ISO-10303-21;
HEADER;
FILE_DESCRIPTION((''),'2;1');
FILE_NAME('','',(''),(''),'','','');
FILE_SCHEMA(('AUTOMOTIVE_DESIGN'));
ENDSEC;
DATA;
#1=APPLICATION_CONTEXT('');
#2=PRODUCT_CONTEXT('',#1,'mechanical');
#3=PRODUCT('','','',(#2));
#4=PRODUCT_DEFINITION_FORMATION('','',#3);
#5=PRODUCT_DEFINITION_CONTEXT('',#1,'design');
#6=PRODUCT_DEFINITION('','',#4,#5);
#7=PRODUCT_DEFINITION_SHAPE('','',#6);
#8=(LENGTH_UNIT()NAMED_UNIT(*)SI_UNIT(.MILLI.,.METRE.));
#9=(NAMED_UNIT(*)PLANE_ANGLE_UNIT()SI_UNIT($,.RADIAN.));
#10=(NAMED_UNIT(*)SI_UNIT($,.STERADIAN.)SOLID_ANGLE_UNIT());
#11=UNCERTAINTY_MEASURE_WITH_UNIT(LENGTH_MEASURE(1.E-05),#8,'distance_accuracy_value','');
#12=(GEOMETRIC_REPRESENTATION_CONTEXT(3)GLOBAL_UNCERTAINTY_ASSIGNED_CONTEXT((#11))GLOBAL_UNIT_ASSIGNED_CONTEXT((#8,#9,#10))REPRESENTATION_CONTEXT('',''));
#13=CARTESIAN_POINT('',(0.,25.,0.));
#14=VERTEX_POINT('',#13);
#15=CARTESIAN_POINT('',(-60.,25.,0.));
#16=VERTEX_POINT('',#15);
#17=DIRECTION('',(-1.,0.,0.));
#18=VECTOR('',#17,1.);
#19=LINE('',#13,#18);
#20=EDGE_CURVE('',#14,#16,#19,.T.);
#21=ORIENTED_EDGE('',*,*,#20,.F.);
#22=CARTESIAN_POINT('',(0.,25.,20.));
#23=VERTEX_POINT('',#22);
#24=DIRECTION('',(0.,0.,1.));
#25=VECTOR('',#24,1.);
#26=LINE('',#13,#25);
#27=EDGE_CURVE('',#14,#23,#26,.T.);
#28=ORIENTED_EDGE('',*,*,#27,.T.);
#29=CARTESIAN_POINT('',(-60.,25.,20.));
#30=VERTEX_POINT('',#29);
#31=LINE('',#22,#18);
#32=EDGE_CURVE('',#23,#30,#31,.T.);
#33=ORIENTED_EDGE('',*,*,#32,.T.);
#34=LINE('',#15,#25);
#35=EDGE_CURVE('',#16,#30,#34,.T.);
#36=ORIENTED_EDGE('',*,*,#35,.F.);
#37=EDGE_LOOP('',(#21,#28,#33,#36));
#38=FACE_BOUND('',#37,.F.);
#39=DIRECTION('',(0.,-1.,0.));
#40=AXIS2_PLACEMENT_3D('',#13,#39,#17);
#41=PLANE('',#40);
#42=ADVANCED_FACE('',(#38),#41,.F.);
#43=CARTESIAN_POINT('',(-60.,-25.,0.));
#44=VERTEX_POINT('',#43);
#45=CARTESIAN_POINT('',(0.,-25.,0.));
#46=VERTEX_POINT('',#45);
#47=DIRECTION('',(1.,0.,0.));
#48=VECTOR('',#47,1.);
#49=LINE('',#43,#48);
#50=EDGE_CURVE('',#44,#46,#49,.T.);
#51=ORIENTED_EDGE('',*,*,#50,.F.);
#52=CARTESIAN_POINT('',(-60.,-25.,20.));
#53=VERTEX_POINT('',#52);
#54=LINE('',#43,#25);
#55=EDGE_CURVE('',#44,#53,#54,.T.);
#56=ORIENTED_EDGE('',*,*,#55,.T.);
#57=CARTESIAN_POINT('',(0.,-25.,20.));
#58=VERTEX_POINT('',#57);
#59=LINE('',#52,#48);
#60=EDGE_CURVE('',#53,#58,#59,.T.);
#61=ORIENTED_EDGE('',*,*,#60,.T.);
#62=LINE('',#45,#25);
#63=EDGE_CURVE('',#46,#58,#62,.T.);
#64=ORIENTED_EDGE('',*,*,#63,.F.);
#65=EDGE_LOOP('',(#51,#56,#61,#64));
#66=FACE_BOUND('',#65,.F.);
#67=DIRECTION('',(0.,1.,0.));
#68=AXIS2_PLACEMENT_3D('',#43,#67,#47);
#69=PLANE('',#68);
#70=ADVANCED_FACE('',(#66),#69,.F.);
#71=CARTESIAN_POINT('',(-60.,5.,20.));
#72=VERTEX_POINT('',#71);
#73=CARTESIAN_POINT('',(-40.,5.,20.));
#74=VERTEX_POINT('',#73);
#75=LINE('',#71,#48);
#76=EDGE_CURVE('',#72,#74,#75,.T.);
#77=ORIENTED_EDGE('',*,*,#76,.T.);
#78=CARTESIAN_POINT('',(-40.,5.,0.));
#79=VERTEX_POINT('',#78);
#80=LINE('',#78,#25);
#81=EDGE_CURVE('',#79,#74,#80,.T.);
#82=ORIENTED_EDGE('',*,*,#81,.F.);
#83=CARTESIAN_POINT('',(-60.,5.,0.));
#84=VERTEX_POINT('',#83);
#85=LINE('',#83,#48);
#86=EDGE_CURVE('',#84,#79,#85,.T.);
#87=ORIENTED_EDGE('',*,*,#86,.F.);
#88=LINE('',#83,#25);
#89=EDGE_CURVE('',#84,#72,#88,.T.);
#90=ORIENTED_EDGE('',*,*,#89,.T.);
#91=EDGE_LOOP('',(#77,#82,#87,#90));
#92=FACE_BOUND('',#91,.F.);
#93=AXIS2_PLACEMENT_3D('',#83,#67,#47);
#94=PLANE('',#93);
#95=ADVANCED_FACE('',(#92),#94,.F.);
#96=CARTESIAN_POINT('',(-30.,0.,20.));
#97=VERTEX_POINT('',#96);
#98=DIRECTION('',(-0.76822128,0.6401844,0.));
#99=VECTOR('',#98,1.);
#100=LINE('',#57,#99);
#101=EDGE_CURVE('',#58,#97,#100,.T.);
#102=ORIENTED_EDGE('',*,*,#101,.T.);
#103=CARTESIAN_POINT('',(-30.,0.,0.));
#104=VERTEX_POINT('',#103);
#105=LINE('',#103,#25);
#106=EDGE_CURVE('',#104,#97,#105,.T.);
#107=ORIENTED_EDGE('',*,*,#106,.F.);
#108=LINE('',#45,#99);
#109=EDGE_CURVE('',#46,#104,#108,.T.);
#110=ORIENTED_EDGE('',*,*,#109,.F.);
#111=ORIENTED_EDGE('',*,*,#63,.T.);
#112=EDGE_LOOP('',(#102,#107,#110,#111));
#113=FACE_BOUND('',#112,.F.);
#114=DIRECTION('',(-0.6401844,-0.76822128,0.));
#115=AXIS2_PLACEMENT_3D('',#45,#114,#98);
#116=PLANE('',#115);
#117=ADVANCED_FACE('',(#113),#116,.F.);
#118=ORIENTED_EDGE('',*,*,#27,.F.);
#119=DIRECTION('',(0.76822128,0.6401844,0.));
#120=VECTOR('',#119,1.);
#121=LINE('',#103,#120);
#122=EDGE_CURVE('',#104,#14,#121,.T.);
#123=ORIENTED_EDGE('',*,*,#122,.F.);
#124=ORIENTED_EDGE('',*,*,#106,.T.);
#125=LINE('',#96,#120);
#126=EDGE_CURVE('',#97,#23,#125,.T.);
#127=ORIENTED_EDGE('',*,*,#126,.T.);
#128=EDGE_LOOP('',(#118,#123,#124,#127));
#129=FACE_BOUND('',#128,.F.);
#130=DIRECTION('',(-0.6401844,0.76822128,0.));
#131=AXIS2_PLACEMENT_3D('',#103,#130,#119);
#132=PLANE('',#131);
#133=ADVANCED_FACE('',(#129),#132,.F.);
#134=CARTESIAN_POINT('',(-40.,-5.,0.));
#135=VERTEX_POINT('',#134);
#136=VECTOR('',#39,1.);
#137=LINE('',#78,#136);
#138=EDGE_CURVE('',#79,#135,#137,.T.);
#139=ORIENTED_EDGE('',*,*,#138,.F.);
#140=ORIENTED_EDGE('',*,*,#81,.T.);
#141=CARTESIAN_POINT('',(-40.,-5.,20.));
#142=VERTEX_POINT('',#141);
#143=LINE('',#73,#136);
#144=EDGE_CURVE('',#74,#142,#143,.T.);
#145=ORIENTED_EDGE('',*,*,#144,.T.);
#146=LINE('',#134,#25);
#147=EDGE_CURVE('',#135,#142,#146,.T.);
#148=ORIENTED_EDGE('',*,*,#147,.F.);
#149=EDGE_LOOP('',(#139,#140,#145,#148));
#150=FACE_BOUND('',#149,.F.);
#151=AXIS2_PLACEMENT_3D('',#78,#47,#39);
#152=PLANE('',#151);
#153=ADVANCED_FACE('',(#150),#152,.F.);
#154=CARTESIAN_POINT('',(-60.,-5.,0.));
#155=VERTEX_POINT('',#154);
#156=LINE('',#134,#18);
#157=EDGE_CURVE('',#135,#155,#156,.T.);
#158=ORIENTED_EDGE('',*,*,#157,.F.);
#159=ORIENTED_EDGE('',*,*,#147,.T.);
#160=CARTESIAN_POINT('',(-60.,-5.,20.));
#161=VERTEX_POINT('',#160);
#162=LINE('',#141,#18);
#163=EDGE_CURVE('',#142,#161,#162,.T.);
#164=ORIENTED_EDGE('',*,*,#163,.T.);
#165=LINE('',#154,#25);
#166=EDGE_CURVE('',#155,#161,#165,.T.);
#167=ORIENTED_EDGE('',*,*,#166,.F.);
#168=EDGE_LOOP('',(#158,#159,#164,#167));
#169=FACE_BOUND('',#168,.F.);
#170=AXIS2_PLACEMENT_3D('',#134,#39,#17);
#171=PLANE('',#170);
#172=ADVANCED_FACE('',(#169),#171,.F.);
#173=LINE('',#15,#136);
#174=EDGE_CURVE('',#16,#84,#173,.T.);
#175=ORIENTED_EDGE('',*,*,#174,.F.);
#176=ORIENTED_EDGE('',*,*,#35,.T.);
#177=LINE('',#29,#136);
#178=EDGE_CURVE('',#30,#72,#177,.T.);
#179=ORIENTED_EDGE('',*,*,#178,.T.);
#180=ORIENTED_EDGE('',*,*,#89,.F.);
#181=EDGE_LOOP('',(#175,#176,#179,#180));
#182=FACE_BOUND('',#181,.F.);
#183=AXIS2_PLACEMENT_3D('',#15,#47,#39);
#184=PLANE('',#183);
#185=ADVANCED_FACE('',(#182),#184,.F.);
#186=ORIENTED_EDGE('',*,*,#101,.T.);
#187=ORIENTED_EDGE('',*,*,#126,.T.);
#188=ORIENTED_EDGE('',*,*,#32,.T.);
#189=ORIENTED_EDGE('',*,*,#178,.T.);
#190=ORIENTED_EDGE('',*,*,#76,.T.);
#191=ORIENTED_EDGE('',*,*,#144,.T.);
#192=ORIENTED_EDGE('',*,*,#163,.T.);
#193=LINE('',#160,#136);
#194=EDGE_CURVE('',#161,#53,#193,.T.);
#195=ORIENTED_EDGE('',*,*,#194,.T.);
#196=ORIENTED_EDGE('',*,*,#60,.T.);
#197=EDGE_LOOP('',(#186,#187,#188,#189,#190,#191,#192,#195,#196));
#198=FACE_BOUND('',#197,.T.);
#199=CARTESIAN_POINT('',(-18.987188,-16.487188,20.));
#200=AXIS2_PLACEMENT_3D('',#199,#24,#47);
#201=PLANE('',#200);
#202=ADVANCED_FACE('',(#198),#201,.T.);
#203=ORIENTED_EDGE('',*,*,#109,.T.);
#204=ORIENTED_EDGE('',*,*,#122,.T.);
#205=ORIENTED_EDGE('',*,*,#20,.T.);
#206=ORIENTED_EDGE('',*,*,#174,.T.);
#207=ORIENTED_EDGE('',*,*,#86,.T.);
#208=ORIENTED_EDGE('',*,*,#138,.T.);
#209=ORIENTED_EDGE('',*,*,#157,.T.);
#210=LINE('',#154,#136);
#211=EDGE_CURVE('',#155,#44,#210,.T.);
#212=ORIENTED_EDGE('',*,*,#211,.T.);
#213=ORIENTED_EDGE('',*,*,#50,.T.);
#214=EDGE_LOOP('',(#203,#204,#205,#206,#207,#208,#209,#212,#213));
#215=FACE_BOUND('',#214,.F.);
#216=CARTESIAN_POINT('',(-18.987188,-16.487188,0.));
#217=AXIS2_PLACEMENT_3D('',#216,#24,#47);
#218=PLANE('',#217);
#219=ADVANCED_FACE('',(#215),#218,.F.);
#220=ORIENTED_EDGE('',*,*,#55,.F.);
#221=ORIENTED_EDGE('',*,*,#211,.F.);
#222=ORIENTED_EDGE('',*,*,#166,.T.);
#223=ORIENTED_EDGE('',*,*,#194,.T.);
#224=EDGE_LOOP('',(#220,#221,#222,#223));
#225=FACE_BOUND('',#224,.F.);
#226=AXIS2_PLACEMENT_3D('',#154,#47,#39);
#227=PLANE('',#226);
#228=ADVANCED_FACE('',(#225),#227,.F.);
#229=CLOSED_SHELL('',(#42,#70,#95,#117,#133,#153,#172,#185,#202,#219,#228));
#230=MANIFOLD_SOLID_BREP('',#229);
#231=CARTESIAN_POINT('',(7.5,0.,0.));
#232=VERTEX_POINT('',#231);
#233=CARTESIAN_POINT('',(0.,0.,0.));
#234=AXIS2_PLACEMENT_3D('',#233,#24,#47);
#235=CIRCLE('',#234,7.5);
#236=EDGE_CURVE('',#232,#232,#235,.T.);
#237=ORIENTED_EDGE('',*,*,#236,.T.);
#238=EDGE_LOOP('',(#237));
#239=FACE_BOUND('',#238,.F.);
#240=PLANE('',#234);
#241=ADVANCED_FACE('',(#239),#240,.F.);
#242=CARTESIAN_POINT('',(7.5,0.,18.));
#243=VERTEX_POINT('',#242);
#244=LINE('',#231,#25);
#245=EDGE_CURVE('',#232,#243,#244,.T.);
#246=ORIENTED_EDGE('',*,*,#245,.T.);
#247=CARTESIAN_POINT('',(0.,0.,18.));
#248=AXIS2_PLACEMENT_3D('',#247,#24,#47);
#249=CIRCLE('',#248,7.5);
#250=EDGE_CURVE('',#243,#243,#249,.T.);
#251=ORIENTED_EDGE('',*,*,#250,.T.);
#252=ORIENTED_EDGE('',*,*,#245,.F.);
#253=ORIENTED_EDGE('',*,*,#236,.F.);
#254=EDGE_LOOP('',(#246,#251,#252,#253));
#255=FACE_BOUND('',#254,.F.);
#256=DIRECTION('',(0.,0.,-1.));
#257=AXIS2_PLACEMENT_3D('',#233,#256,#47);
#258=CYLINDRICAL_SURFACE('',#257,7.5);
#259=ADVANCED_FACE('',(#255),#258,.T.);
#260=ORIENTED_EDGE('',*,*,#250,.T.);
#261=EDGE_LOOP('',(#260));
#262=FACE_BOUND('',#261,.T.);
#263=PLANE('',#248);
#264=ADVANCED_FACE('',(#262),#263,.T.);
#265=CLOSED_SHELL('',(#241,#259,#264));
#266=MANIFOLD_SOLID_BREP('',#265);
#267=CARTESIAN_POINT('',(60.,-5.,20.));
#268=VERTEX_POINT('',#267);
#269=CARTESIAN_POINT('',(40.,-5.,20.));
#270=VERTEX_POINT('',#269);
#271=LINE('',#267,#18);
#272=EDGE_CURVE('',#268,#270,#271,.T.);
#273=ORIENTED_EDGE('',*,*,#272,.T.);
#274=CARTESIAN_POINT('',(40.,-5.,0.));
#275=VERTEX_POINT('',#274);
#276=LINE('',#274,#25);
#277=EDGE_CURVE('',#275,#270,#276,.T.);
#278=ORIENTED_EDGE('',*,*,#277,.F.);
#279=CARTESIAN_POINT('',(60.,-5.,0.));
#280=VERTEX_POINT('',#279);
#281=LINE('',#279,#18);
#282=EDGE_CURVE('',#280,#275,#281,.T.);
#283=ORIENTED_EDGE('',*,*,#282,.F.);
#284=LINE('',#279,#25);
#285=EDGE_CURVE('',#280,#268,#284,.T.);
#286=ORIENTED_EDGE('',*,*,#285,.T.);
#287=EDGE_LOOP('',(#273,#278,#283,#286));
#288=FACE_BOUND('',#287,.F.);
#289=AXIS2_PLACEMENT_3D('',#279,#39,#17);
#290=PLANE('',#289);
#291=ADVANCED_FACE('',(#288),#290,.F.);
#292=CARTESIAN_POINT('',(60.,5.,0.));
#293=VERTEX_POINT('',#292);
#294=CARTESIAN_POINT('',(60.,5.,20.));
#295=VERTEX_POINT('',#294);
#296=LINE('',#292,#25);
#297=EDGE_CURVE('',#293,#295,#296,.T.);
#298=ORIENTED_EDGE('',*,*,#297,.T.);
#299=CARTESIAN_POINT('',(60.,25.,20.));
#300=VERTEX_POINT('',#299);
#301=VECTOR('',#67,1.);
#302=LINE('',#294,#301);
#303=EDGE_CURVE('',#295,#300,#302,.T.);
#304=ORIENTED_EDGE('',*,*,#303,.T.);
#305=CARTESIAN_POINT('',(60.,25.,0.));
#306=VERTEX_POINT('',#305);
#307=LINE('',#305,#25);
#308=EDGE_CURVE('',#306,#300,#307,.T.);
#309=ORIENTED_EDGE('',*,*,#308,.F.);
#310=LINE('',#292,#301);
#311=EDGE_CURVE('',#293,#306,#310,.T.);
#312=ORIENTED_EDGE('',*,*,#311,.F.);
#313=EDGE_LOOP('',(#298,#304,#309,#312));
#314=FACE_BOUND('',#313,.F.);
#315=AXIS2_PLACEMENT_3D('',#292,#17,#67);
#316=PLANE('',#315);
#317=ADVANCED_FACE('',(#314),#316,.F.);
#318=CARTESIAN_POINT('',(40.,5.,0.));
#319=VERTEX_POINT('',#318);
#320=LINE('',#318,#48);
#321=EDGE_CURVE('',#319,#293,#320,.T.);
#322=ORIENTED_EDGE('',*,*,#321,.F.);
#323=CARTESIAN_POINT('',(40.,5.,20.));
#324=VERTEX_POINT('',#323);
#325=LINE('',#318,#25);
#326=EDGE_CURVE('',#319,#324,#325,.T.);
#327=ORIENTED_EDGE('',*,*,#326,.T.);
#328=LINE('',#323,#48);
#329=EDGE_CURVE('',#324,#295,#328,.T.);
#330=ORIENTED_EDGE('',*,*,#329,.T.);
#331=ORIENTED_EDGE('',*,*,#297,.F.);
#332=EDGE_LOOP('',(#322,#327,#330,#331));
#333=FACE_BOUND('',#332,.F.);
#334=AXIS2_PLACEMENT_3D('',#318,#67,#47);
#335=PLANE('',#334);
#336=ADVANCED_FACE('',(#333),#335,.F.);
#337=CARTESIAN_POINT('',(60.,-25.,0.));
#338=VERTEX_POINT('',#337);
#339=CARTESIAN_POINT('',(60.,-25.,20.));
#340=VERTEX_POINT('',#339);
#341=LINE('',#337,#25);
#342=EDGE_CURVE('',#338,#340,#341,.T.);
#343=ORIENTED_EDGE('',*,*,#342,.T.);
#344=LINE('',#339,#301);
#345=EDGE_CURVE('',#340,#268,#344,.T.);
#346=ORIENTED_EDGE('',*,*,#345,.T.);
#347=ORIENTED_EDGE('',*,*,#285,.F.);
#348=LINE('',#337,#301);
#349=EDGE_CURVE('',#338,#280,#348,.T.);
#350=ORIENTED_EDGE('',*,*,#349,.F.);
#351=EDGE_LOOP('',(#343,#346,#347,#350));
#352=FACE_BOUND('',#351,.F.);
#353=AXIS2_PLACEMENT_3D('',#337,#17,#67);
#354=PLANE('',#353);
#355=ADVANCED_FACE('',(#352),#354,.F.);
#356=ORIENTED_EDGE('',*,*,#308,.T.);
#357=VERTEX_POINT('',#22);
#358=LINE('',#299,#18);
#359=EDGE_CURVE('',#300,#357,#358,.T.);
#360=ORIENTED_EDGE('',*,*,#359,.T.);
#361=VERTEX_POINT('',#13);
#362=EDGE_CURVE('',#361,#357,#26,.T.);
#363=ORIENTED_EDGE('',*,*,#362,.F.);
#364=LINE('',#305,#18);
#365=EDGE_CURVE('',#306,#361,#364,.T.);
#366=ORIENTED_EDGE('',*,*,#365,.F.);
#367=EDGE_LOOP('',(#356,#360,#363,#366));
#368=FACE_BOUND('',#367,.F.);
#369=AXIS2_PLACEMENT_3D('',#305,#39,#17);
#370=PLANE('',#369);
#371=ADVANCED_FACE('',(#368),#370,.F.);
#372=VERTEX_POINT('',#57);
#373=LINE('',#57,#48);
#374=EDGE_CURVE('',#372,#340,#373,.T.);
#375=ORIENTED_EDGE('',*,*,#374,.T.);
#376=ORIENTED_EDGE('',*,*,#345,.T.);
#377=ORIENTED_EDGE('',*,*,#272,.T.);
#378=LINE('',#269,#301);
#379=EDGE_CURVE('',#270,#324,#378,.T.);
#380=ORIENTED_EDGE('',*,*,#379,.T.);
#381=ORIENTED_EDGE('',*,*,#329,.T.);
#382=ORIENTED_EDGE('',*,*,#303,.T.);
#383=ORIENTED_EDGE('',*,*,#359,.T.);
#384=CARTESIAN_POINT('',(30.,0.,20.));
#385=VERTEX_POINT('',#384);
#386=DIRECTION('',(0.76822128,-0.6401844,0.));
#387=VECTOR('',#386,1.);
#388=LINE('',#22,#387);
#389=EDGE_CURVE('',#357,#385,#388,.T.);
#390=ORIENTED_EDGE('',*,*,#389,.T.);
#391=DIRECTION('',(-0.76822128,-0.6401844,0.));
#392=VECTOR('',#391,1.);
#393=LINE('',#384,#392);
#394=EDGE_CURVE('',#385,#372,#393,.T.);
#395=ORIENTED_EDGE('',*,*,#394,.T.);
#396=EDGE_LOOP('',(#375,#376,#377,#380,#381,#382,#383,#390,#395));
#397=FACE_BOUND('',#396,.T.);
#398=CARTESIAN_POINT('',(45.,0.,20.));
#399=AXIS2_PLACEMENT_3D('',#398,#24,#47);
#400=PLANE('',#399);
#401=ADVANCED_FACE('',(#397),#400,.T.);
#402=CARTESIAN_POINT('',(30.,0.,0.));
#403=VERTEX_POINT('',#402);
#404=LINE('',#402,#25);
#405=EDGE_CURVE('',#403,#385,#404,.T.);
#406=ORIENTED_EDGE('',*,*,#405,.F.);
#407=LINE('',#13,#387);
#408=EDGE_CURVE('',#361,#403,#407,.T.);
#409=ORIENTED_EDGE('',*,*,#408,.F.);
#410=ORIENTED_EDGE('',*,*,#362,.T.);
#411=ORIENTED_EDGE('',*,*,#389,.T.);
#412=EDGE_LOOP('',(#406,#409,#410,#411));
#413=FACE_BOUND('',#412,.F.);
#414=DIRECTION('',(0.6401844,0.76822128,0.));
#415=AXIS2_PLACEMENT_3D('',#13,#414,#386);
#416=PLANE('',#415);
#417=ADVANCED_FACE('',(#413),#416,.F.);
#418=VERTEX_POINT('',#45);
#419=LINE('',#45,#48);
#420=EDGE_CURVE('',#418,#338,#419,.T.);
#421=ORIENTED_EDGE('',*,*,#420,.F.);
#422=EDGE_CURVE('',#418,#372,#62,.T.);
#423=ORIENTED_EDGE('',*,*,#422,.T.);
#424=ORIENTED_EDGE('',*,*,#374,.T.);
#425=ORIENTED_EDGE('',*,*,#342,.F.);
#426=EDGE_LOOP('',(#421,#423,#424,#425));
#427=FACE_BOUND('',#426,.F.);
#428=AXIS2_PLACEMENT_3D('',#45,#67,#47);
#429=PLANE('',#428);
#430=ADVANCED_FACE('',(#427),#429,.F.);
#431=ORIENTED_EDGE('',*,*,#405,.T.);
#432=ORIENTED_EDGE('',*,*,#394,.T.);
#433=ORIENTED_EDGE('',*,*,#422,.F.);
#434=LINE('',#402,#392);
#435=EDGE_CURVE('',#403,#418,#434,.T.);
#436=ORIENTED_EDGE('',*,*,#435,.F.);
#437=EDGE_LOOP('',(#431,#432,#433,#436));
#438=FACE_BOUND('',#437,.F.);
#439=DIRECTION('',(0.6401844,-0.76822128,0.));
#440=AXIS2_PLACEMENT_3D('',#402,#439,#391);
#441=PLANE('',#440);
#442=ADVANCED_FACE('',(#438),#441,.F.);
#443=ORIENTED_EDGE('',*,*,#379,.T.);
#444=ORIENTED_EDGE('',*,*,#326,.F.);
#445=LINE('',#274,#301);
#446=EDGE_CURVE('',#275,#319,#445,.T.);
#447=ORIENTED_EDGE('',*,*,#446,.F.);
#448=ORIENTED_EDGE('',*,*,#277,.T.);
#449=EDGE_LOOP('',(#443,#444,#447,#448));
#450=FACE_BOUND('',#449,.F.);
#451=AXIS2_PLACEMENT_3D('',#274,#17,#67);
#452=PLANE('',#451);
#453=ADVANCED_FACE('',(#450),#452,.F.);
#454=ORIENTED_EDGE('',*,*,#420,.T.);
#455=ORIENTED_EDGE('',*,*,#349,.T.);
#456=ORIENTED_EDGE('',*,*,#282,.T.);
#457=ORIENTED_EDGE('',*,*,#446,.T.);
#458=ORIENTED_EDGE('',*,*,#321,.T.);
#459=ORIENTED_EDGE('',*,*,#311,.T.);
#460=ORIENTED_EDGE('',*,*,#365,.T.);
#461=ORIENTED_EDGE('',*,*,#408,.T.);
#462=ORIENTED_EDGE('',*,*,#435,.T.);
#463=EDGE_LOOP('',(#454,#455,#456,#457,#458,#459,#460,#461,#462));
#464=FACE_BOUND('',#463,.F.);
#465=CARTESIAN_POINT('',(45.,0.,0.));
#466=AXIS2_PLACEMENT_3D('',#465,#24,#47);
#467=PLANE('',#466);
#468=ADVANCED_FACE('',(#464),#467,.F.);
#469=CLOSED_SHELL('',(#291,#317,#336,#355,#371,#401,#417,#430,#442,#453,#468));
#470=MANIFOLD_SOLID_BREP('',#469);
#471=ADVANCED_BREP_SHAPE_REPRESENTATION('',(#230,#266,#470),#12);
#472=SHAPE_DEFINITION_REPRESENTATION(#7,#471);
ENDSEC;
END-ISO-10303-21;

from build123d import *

# Parameters (mm, degrees)
F1_DEPTH = 20
F2_R     = 7.5
F3_DEPTH = 18


with BuildPart() as f1:
    # F0 (on Top) → F1 (new body)
    with BuildSketch(Plane.XY):
        Polygon((30, 0), (30, -25), (60, -25), (60, -5), (40, -5), (40, 5), (60, 5), (60, 11.190053), (60, 25), (30, 25), align=None)
        Polygon((30, 0), (0, -25), (30, -25), align=None)
        Polygon((-30, 0), (-30, -25), (0, -25), align=None)
        Polygon((-30, 25), (-30, 0), (0, 25), align=None)
        Polygon((0, 25), (30, 0), (30, 25), align=None)
        Polygon((-60, -25), (-30, -25), (-30, 0), (-30, 25), (-60, 25), (-60, 5), (-40, 5), (-40, -5), (-60, -5), align=None)
    extrude(amount=F1_DEPTH)


with BuildPart() as f3:
    # F2 (on Top) → F3 (new body)
    with BuildSketch(Plane.XY):
        Circle(F2_R)
    extrude(amount=F3_DEPTH)


solid = Compound([f1.part, f3.part])
